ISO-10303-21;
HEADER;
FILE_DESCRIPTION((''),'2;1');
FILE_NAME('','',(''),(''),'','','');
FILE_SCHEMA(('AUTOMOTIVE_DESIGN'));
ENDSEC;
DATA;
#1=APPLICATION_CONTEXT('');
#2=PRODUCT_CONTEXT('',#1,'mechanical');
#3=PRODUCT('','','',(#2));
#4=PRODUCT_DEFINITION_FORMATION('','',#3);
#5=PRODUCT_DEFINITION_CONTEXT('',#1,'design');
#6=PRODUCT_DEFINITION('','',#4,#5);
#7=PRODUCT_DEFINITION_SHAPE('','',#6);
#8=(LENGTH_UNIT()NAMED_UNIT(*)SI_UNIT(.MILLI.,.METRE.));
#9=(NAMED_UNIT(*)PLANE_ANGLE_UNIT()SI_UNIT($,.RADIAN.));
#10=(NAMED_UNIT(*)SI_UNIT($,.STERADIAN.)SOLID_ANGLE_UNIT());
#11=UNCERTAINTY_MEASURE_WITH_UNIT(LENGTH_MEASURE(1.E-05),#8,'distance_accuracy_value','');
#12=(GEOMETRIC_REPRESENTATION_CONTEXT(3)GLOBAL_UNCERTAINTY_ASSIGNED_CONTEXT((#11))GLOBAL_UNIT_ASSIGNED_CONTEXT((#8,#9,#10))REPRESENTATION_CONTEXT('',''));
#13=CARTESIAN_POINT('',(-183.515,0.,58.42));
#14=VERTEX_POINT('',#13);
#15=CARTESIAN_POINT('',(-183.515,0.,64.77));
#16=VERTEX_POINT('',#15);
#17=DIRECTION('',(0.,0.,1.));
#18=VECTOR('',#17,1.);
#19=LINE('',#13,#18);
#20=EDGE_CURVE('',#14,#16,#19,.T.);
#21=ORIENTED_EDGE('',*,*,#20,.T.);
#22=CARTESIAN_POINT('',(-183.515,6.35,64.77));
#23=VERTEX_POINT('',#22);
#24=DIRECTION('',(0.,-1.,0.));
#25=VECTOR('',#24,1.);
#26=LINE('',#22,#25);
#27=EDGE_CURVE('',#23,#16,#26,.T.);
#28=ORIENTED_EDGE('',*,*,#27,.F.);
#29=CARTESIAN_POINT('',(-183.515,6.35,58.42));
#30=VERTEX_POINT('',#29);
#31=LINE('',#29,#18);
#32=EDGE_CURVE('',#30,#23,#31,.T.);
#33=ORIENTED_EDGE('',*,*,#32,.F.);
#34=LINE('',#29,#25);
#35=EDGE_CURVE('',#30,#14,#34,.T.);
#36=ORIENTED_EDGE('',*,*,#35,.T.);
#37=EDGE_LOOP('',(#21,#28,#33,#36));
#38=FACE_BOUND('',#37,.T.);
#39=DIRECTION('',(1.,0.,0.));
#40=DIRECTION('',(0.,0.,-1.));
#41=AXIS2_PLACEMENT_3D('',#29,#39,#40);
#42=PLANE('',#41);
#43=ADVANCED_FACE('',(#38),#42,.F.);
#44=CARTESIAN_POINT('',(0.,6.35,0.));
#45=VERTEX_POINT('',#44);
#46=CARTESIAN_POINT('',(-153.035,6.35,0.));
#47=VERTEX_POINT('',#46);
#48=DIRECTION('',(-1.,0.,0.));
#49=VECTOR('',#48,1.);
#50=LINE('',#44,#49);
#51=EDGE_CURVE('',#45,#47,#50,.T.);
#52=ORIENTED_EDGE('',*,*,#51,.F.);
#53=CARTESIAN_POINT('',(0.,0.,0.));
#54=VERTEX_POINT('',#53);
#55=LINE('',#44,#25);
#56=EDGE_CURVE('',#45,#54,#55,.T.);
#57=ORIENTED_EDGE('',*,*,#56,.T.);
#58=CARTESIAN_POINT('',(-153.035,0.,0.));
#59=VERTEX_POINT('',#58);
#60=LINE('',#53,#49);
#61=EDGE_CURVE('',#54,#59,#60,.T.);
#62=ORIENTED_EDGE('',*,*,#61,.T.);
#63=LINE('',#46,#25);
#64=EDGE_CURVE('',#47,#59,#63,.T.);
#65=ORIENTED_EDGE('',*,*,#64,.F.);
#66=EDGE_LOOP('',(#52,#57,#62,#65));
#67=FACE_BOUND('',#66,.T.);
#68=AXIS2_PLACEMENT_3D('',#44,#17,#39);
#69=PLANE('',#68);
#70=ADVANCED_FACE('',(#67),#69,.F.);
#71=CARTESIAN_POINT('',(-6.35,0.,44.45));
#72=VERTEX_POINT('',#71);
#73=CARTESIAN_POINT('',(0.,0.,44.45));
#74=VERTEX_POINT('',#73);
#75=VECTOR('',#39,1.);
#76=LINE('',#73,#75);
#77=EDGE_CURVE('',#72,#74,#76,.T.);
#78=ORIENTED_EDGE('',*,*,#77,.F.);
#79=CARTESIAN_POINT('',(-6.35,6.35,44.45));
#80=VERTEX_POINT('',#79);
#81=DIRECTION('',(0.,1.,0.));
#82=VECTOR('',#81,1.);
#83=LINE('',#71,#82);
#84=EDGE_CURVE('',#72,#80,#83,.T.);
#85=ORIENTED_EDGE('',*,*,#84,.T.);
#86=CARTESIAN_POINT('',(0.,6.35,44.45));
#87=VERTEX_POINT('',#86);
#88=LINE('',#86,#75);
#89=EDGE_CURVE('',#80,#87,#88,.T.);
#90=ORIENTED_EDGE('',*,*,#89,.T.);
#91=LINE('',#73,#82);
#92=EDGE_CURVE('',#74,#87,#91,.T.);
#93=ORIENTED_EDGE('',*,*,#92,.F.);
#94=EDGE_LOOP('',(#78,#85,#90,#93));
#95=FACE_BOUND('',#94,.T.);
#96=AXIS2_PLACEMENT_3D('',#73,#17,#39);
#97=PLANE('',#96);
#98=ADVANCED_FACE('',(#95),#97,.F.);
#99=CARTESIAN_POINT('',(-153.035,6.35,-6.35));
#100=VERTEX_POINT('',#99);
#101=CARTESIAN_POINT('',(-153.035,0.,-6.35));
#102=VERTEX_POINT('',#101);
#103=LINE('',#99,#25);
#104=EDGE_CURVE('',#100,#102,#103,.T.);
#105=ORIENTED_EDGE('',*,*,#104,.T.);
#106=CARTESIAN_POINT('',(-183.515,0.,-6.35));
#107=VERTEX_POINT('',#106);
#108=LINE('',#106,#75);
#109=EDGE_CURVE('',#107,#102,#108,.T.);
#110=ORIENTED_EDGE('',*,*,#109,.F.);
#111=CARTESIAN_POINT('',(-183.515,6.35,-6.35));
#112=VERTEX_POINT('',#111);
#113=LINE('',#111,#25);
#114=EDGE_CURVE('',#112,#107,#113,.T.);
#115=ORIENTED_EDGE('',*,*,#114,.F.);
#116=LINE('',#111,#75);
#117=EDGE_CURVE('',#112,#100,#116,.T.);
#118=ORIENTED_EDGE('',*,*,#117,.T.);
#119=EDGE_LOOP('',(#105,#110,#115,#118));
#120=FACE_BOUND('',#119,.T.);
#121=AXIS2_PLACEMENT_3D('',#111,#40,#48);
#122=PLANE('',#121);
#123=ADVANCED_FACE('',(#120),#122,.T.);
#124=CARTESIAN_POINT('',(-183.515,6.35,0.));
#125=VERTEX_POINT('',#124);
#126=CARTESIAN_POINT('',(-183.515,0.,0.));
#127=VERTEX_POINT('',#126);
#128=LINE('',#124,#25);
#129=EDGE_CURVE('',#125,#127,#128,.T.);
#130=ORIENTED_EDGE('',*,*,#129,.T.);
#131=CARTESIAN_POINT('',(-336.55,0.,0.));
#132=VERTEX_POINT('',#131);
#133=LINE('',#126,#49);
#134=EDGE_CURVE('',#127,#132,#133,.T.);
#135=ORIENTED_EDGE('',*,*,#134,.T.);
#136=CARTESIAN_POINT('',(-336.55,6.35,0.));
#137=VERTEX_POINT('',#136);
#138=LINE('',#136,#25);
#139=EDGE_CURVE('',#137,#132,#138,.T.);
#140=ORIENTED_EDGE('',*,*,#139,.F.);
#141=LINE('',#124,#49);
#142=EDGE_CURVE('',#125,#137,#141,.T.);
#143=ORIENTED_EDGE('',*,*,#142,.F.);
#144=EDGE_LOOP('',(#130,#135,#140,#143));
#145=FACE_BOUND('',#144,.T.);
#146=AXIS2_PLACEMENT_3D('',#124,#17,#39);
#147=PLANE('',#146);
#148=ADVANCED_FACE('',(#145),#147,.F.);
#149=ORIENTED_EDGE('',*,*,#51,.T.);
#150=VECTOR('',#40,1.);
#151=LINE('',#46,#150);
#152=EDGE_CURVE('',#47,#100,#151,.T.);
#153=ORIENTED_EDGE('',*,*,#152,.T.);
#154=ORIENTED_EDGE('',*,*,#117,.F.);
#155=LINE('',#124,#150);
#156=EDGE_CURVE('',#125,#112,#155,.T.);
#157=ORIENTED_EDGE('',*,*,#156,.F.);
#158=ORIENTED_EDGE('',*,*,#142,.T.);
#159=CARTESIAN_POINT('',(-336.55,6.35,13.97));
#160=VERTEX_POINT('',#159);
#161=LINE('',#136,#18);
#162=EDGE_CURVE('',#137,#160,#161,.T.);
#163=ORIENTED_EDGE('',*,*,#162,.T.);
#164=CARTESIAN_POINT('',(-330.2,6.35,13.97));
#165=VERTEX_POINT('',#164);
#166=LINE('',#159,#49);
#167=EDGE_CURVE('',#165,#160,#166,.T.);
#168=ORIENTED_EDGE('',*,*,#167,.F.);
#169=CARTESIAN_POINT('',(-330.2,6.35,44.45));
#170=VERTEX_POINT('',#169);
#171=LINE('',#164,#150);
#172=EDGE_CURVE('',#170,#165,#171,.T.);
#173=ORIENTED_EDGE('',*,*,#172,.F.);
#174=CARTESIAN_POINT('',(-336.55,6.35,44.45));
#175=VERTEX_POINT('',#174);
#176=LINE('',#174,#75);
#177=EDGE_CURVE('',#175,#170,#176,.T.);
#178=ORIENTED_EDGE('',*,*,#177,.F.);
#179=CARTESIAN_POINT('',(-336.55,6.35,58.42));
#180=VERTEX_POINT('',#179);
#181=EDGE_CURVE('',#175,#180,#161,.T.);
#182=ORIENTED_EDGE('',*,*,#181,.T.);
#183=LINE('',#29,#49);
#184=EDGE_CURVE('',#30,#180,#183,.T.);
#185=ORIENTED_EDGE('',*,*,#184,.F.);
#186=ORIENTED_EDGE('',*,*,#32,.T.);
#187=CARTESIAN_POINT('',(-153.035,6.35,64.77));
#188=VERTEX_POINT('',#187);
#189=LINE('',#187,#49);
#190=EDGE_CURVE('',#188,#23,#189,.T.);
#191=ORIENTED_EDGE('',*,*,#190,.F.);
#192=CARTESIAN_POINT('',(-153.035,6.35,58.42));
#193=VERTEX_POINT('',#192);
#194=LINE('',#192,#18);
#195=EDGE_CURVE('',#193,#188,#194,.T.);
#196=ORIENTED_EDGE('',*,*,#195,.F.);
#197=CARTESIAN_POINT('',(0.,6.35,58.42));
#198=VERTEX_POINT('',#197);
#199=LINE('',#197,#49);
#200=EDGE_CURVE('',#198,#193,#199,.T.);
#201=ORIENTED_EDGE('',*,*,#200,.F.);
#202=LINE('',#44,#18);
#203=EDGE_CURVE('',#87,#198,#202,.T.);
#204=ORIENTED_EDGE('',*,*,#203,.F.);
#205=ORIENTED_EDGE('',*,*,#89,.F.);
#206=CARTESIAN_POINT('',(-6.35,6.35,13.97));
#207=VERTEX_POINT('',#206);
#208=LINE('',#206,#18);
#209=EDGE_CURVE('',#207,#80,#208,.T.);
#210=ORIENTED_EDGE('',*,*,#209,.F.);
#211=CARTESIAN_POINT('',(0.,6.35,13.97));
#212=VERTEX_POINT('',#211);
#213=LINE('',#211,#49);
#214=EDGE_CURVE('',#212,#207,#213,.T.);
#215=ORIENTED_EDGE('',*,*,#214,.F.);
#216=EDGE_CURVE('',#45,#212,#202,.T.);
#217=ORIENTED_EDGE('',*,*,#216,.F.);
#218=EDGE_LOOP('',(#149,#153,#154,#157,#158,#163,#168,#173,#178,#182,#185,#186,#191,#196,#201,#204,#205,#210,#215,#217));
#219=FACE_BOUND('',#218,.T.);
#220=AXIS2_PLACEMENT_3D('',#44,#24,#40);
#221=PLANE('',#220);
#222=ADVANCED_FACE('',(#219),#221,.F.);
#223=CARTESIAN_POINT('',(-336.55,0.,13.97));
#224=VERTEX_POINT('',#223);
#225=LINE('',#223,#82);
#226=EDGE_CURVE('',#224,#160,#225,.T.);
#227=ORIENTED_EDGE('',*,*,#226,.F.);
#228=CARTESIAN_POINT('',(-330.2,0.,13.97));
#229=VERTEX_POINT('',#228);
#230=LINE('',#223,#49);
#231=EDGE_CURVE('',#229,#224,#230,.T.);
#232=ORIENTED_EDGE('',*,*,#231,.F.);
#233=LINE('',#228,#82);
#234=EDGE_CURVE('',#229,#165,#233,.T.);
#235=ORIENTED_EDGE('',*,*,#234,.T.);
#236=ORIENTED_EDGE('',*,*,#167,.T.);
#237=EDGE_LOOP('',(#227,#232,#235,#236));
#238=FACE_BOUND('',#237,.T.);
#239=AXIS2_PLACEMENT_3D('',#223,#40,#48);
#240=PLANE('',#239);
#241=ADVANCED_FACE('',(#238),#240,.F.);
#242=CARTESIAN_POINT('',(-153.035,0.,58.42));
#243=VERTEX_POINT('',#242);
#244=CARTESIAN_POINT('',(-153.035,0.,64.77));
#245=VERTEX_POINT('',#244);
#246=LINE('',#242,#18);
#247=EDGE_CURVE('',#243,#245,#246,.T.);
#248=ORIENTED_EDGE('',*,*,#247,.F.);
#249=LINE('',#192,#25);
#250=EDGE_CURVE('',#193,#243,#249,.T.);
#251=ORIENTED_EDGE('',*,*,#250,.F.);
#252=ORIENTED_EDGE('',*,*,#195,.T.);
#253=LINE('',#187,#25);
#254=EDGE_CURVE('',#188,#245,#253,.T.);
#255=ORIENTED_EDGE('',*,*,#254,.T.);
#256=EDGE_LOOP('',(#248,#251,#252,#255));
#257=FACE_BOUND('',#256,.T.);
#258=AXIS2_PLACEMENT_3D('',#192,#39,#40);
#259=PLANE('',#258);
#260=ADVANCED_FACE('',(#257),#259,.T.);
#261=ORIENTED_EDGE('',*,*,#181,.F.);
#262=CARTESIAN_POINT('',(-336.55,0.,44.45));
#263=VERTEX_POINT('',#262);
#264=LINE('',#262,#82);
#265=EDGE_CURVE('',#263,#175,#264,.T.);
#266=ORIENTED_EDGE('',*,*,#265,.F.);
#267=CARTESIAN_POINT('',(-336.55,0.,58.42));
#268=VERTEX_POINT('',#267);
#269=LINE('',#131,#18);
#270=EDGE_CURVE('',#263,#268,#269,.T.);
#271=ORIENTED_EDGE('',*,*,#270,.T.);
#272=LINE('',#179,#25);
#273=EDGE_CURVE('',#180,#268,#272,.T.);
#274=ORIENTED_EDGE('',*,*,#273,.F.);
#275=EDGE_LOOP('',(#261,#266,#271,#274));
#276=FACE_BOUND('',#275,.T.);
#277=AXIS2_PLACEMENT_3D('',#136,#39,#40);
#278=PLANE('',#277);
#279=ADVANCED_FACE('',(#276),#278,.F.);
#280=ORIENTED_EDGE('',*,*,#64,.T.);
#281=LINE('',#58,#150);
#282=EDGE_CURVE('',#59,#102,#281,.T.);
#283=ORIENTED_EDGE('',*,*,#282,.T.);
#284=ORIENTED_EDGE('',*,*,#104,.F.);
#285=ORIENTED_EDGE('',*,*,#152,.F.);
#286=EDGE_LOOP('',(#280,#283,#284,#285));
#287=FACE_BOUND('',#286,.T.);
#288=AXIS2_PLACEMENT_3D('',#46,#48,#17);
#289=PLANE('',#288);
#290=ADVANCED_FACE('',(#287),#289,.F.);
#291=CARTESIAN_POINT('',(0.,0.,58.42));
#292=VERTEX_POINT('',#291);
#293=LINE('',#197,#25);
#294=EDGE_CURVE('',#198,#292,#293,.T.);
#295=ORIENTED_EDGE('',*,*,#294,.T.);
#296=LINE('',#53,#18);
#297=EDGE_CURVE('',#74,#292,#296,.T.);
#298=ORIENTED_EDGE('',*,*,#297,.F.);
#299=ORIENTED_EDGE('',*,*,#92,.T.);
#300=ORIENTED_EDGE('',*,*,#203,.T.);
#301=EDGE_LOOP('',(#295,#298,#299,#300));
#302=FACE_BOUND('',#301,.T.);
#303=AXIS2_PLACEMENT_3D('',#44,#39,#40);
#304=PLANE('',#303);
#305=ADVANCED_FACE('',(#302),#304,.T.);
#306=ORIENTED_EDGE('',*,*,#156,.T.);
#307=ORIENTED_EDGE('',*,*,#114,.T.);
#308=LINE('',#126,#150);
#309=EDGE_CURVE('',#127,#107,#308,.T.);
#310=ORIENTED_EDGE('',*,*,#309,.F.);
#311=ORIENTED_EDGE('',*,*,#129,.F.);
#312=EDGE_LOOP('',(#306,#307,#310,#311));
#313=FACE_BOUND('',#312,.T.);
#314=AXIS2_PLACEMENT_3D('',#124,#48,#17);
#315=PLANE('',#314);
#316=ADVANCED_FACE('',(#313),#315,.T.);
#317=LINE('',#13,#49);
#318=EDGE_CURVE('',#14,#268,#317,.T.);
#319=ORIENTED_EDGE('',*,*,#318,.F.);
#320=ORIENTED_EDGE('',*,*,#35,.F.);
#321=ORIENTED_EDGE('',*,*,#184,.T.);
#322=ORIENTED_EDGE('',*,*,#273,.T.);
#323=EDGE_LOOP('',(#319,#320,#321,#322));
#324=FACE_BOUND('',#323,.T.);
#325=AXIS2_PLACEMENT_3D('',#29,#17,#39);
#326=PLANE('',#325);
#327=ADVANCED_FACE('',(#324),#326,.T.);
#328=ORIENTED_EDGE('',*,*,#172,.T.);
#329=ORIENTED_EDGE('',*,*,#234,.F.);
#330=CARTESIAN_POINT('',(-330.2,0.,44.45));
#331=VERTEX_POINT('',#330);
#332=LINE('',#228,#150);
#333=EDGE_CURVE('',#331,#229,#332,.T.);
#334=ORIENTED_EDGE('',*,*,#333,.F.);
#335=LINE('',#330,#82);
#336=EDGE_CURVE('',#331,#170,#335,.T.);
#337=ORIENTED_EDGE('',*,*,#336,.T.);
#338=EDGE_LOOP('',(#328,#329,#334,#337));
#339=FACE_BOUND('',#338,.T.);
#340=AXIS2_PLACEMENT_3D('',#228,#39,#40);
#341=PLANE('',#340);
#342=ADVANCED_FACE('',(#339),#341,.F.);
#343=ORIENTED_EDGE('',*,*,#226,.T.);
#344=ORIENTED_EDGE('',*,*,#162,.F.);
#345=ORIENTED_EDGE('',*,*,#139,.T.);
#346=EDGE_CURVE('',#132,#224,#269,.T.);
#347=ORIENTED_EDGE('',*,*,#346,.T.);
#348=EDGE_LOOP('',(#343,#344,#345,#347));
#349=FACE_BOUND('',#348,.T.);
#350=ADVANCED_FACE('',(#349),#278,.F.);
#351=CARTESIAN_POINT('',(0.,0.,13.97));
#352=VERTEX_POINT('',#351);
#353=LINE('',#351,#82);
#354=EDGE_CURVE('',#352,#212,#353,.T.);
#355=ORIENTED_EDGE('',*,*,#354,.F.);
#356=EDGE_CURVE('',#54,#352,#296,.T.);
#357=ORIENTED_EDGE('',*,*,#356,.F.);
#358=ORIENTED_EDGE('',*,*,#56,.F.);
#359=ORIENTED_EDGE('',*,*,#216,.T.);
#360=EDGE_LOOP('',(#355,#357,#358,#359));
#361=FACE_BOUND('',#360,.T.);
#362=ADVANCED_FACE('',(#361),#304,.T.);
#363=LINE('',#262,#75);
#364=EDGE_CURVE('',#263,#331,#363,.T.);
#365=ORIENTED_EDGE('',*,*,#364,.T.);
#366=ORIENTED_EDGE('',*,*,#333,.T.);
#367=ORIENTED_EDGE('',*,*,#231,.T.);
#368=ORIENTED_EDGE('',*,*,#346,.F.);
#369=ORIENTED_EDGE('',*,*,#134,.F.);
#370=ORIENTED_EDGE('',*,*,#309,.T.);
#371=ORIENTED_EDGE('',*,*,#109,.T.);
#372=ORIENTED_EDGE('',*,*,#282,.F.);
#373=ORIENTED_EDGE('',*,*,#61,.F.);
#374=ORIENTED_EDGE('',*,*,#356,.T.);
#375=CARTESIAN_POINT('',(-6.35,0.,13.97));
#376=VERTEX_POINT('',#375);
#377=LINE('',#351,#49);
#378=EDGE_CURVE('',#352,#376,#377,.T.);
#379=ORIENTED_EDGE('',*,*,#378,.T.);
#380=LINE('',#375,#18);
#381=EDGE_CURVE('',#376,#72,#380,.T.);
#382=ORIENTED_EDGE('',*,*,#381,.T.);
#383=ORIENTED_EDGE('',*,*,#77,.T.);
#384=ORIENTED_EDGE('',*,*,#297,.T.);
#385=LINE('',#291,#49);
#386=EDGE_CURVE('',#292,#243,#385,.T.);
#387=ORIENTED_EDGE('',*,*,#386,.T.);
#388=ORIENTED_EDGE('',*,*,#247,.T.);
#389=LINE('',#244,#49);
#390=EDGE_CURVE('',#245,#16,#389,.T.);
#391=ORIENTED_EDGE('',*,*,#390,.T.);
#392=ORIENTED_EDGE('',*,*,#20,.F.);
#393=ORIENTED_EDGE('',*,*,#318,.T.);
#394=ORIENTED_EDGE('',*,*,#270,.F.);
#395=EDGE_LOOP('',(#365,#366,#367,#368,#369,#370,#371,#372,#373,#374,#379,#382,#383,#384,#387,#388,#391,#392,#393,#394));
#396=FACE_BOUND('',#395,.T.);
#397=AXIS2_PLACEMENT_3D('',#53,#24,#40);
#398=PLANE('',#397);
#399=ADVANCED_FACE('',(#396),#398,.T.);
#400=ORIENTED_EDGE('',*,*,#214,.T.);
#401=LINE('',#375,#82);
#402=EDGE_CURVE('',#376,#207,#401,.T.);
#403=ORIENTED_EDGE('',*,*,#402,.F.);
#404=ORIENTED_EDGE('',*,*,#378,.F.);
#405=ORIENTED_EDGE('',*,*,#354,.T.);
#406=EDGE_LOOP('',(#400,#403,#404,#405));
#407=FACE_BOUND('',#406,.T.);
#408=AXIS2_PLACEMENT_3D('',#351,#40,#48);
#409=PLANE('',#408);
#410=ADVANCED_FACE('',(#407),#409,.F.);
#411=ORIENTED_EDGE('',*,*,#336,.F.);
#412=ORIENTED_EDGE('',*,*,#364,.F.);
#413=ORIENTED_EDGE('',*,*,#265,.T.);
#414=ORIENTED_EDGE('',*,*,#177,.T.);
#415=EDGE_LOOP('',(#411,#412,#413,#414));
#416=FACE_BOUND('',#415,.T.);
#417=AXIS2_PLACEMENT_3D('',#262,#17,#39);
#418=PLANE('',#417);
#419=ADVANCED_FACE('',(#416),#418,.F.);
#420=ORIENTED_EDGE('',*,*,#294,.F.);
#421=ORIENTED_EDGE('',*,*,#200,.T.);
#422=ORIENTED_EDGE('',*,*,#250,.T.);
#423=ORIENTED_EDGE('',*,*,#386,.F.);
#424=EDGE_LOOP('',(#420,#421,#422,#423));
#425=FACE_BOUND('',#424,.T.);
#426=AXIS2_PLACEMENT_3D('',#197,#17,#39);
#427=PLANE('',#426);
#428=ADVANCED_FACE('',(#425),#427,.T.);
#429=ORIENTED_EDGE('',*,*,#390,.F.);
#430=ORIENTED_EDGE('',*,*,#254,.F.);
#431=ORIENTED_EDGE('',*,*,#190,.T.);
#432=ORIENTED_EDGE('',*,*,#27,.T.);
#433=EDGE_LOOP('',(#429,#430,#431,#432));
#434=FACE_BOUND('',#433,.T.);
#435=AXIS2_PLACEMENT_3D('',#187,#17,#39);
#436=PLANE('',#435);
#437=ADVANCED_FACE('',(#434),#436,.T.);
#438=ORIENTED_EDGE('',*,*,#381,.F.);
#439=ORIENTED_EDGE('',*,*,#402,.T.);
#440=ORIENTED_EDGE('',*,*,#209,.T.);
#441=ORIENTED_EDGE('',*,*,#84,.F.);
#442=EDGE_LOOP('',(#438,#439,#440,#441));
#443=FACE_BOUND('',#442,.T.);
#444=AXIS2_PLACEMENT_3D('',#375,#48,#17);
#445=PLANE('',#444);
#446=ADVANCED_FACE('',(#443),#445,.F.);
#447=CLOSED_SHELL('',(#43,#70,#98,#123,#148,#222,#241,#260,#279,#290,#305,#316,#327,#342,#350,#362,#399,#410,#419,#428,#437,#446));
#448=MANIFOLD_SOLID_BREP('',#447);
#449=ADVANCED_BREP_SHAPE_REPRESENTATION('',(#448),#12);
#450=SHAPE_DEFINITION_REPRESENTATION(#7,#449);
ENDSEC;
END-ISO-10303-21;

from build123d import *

# Parameters (mm, degrees)
BOSS_EXTRUDE1_DEPTH = 6.35
SKETCH2_W           = 6.35
SKETCH2_H           = 30.48
CUT_EXTRUDE1_DEPTH  = 7.35


with BuildPart() as part:
    # Sketch1 → Boss-Extrude1 (new body)
    with BuildSketch(Plane(origin=(0, 0, 0), x_dir=(1, 0, 0), z_dir=(0, 1, 0))):
        Polygon((-183.515, 0), (-336.55, 0), (-336.55, -58.42), (-183.515, -58.42), (-183.515, -64.77), (-153.035, -64.77), (-153.035, -58.42), (0, -58.42), (0, 0), (-153.035, 0), (-153.035, 6.35), (-183.515, 6.35), align=None)
    extrude(amount=BOSS_EXTRUDE1_DEPTH)

    # Sketch2 → Cut-Extrude1 (cut, through all)
    with BuildSketch(Plane(origin=(0, 6.35, 0), x_dir=(1, 0, 0), z_dir=(0, 1, 0))):
        with Locations((-333.375, -29.21)):
            Rectangle(SKETCH2_W, SKETCH2_H)
        with Locations((-3.175, -29.21)):
            Rectangle(SKETCH2_W, SKETCH2_H)
    extrude(amount=-CUT_EXTRUDE1_DEPTH, mode=Mode.SUBTRACT)


solid = part.part
